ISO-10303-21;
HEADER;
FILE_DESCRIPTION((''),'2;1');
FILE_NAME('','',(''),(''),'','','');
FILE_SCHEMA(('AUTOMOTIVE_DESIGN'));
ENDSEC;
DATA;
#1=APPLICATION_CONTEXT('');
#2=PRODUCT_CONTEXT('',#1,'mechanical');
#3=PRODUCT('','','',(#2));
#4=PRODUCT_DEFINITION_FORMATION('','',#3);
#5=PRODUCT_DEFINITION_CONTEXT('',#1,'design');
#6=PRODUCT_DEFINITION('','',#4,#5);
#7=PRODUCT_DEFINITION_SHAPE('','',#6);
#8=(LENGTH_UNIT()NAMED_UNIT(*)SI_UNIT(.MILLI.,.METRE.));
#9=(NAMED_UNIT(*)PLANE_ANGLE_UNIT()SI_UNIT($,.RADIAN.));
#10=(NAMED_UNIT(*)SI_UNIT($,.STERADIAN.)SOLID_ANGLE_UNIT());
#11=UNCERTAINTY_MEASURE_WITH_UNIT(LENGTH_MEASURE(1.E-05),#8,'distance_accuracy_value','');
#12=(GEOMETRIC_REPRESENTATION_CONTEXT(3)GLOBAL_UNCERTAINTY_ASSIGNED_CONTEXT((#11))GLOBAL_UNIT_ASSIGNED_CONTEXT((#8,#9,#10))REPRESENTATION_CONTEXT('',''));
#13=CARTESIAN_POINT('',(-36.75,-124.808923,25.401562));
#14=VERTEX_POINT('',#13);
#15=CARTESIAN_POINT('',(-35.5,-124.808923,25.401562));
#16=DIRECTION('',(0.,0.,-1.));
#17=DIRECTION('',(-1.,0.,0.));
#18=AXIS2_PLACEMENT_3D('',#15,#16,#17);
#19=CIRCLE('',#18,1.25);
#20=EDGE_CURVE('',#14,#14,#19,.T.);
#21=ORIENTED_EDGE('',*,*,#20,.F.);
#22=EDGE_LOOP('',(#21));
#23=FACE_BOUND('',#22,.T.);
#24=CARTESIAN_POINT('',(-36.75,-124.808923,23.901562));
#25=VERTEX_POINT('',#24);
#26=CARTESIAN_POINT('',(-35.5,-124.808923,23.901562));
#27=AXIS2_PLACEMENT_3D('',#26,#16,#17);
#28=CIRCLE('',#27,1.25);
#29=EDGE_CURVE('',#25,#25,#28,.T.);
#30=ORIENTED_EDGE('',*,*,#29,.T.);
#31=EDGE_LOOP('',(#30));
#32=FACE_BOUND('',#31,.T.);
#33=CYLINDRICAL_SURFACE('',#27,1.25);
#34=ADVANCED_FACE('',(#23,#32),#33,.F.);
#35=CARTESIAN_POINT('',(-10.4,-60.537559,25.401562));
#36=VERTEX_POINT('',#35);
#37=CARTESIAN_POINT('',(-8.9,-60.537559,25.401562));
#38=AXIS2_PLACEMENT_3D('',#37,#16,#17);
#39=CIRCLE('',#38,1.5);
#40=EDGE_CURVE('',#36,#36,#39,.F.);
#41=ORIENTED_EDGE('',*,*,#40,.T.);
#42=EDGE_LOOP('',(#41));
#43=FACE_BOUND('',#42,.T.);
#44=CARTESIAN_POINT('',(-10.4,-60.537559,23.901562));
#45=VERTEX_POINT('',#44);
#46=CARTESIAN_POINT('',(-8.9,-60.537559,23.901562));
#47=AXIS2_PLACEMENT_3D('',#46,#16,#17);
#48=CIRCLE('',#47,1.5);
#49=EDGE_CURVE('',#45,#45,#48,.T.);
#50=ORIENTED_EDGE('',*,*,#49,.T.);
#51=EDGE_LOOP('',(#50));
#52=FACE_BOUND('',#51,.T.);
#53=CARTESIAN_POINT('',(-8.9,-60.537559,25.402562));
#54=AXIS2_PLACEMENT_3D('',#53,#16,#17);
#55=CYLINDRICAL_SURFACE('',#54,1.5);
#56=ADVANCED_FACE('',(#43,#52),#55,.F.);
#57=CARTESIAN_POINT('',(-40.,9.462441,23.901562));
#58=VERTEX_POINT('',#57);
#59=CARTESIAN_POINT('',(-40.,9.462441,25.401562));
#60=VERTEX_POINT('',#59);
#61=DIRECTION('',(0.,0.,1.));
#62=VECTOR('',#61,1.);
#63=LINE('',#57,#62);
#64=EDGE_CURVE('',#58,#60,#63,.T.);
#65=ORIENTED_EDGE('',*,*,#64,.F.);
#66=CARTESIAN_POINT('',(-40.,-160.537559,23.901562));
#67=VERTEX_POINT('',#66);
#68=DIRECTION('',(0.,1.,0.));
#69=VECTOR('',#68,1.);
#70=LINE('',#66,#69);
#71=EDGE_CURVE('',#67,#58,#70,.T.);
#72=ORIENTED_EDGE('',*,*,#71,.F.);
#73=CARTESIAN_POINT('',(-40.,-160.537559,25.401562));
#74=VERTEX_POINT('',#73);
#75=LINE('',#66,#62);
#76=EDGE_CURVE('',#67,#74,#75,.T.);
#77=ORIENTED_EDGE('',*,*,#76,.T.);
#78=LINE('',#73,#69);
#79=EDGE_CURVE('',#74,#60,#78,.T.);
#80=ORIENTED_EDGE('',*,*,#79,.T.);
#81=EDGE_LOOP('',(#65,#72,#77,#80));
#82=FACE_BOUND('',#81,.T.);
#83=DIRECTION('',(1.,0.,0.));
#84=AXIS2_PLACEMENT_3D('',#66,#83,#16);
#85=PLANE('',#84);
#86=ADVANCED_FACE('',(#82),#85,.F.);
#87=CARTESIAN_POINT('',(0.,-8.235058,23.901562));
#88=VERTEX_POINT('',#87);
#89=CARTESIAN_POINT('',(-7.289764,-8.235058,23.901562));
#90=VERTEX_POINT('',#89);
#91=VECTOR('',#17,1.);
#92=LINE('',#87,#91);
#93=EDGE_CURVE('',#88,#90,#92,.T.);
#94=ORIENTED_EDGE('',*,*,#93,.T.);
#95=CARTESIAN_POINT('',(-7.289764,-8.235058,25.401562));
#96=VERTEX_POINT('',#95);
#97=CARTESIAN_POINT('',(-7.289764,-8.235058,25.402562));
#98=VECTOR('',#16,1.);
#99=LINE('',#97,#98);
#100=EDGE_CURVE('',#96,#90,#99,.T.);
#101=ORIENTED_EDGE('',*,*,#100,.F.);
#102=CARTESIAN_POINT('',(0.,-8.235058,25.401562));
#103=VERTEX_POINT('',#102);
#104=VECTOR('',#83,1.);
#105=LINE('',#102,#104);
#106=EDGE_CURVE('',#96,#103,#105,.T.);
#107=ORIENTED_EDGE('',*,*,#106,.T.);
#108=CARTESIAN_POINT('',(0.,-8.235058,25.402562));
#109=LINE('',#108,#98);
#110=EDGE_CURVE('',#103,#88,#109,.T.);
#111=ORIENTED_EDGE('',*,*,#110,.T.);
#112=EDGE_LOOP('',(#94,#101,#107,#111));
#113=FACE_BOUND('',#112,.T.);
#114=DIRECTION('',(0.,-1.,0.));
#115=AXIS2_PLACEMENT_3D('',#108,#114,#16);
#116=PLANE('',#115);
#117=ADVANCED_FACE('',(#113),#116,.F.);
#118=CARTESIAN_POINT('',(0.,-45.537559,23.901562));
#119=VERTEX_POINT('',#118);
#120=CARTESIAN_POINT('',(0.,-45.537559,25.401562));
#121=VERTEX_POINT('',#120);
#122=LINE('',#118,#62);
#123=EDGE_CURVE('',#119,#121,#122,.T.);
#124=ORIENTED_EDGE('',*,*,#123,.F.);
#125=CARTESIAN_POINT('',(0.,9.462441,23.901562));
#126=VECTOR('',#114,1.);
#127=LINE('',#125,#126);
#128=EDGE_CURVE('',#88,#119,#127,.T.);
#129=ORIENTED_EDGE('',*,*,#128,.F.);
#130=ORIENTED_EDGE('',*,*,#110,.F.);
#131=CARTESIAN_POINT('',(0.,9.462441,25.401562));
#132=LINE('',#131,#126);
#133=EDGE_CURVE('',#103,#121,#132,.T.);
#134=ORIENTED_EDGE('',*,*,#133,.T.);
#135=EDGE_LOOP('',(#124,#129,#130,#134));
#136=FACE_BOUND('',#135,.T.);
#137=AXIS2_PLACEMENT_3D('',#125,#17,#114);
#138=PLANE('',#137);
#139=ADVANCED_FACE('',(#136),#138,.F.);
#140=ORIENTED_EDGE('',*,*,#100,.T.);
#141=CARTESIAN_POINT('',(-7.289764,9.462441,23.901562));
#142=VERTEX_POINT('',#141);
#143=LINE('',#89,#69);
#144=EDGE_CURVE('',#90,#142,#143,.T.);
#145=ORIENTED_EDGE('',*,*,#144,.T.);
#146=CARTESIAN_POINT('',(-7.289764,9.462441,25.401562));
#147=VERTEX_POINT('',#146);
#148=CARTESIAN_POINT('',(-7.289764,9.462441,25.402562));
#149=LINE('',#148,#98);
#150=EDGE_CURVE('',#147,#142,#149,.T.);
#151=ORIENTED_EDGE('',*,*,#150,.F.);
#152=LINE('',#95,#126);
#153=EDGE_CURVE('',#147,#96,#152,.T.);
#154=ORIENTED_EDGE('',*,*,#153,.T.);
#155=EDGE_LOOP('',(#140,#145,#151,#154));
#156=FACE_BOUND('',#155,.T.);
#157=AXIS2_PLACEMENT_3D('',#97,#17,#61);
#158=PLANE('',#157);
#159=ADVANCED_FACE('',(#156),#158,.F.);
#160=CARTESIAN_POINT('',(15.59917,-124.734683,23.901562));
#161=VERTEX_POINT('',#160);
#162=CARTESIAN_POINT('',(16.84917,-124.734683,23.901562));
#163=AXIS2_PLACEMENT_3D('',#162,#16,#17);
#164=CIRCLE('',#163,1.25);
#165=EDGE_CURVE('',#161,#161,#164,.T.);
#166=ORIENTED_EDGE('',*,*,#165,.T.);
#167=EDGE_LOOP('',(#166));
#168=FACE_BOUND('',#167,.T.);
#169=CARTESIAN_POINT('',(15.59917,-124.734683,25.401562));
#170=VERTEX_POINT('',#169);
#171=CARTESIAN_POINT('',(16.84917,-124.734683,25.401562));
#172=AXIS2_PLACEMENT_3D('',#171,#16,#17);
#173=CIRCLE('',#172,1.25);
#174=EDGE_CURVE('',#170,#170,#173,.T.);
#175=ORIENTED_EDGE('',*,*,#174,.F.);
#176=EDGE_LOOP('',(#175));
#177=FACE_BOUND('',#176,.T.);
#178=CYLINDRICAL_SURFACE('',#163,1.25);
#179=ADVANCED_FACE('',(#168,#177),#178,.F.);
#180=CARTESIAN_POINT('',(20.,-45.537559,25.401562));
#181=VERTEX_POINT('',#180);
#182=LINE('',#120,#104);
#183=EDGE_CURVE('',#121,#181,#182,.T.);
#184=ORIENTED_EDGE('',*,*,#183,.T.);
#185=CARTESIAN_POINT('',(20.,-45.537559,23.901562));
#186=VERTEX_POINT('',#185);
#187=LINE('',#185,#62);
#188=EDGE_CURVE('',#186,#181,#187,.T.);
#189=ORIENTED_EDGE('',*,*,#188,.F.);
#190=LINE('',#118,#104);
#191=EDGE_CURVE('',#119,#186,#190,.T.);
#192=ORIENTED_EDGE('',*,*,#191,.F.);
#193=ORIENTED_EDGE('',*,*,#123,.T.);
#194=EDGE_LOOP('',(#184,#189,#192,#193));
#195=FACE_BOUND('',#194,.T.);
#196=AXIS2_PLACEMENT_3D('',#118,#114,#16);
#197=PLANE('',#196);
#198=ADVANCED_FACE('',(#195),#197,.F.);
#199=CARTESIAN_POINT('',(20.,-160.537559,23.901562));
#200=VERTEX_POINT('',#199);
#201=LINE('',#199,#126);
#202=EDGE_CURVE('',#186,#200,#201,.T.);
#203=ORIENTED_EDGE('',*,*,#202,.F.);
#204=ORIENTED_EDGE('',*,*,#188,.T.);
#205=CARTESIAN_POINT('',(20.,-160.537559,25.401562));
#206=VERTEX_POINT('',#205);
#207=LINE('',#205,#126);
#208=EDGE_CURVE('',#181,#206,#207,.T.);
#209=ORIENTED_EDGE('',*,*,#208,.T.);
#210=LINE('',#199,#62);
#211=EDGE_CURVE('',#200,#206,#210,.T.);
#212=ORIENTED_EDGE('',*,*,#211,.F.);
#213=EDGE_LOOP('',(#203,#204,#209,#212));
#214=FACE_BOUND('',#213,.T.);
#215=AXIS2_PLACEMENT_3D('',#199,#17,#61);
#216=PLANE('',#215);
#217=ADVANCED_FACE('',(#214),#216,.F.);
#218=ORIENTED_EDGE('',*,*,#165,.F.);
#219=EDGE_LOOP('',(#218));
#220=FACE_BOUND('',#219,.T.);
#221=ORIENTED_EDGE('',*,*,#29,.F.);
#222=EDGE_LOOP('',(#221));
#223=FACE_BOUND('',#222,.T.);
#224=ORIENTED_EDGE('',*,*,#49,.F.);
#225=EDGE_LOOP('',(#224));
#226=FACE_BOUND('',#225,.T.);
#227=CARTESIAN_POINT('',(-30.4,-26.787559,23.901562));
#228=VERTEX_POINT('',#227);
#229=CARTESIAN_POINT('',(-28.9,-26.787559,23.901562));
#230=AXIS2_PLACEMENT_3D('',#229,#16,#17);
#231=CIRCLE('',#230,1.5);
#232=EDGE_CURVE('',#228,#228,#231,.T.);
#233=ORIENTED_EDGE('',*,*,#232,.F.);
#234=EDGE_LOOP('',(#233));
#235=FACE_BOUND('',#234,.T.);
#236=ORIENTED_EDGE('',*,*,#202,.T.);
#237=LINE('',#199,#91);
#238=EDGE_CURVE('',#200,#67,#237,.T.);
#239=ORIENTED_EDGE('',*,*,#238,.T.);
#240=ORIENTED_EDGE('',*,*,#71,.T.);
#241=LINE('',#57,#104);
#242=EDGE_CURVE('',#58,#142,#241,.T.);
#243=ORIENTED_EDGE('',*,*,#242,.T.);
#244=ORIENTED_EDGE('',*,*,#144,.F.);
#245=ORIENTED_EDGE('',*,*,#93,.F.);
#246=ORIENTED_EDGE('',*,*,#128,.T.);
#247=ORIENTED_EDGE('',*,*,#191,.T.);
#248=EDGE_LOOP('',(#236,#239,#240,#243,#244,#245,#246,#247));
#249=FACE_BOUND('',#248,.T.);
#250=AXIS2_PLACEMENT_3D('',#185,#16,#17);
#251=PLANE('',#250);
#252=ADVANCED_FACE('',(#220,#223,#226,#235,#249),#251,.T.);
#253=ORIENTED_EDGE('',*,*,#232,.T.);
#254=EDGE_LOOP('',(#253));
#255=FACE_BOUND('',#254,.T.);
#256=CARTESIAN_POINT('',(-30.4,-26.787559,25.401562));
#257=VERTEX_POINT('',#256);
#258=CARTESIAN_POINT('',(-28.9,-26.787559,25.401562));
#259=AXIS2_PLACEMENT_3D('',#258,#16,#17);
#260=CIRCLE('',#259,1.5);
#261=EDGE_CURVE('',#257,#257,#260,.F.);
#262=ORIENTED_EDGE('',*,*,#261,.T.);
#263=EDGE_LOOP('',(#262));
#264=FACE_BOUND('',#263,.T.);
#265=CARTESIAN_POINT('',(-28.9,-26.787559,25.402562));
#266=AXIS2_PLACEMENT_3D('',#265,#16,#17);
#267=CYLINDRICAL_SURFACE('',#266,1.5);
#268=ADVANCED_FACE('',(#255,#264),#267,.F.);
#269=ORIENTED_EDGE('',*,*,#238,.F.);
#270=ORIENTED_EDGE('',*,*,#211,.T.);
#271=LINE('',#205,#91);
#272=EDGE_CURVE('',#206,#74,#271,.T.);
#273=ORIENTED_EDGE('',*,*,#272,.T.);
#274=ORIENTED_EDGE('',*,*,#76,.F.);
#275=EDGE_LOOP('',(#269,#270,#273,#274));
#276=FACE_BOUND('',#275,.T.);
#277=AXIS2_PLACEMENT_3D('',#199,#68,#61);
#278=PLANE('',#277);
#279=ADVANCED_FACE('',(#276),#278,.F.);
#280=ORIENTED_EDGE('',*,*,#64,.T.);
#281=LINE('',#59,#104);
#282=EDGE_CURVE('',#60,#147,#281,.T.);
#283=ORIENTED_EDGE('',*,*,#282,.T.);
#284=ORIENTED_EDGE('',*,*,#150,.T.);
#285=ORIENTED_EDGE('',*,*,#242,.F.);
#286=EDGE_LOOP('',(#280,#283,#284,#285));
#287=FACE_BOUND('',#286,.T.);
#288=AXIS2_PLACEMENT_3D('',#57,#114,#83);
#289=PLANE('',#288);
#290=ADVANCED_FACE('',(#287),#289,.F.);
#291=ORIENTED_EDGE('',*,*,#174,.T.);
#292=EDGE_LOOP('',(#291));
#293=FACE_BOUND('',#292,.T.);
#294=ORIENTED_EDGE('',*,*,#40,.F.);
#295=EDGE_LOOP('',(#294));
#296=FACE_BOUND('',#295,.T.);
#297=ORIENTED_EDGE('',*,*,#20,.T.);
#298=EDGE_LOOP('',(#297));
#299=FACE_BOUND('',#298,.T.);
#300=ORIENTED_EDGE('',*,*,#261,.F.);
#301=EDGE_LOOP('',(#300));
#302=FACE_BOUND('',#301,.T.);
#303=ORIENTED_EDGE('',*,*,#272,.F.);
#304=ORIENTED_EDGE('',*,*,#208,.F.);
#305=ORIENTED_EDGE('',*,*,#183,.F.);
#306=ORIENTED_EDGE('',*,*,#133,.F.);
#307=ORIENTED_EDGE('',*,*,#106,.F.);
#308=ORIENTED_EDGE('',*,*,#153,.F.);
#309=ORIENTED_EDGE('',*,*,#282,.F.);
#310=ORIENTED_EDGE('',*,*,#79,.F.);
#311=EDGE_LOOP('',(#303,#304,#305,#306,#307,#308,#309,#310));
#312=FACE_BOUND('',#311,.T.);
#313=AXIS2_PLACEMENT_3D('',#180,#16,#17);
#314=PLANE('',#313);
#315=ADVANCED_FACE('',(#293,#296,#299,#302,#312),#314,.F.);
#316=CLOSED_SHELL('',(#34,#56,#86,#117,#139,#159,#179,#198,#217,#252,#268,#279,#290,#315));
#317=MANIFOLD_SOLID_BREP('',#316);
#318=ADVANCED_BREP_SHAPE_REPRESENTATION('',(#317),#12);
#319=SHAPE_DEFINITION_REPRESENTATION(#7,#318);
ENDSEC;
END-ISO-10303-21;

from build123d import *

# Parameters (mm, degrees)
RESSALTO_EXTRUS_O1_DEPTH                   = 1.5
CORTE_EXTRUS_O2_REACH                      = 167.453
ESBO_O5_R                                  = 1.5
BROCA_DE_ROSQUEAR_PARA_TARRAXA_DE_M3X0_5_D = 2.5
CORTE_EXTRUS_O3_REACH                      = 167.453
ESBO_O15_R                                 = 1.5
CORTE_EXTRUS_O4_REACH                      = 167.453
ESBO_O16_W                                 = 7.289764361
ESBO_O16_H                                 = 17.697498775


with BuildPart() as part:
    # Esboço2 → Ressalto-extrusão1 (new body)
    with BuildSketch(Plane(origin=(0, 0, 25.401562241), x_dir=(-1, 0, 0), z_dir=(0, 0, -1))):
        Polygon((40, 9.462441068), (0, 9.462441068), (0, -45.537558932), (-20, -45.537558932), (-20, -160.537558932), (40, -160.537558932), align=None)
    extrude(amount=RESSALTO_EXTRUS_O1_DEPTH)

    # Esboço5 → Corte-extrusão2 (cut, up to next)
    with BuildSketch(Plane(origin=(0, 0, 23.901562241), x_dir=(-1, 0, 0), z_dir=(0, 0, -1)), mode=Mode.PRIVATE) as corte_extrus_o2_sk1:
        with Locations((28.9, -26.787558932)):
            Circle(ESBO_O5_R)
    corte_extrus_o2_tool1 = extrude(corte_extrus_o2_sk1.sketch, amount=-CORTE_EXTRUS_O2_REACH, mode=Mode.PRIVATE) & part.part
    add(corte_extrus_o2_tool1.solids().sort_by_distance((-28.9, -26.787559, 23.901562))[0], mode=Mode.SUBTRACT)

    # Broca de rosquear para tarraxa de M3x0.52 (through all)
    with Locations(Plane(origin=(0, 0, 23.901562241), x_dir=(-1, 0, 0), z_dir=(0, 0, -1))):
        with Locations((-16.849169709, -124.734682683), (35.5, -124.808922584)):
            Hole(BROCA_DE_ROSQUEAR_PARA_TARRAXA_DE_M3X0_5_D / 2)

    # Esboço15 → Corte-extrusão3 (cut, up to next)
    with BuildSketch(Plane(origin=(0, 0, 23.901562241), x_dir=(-1, 0, 0), z_dir=(0, 0, -1)), mode=Mode.PRIVATE) as corte_extrus_o3_sk1:
        with Locations((8.9, -60.537558932)):
            Circle(ESBO_O15_R)
    corte_extrus_o3_tool1 = extrude(corte_extrus_o3_sk1.sketch, amount=-CORTE_EXTRUS_O3_REACH, mode=Mode.PRIVATE) & part.part
    add(corte_extrus_o3_tool1.solids().sort_by_distance((-8.9, -60.537559, 23.901562))[0], mode=Mode.SUBTRACT)

    # Esboço16 → Corte-extrusão4 (cut, up to next)
    with BuildSketch(Plane(origin=(0, 0, 23.901562241), x_dir=(-1, 0, 0), z_dir=(0, 0, -1)), mode=Mode.PRIVATE) as corte_extrus_o4_sk1:
        with Locations((3.644882181, 0.61369168)):
            Rectangle(ESBO_O16_W, ESBO_O16_H)
    corte_extrus_o4_tool1 = extrude(corte_extrus_o4_sk1.sketch, amount=-CORTE_EXTRUS_O4_REACH, mode=Mode.PRIVATE) & part.part
    add(corte_extrus_o4_tool1.solids().sort_by_distance((-3.644882, 0.613692, 23.901562))[0], mode=Mode.SUBTRACT)


solid = part.part
